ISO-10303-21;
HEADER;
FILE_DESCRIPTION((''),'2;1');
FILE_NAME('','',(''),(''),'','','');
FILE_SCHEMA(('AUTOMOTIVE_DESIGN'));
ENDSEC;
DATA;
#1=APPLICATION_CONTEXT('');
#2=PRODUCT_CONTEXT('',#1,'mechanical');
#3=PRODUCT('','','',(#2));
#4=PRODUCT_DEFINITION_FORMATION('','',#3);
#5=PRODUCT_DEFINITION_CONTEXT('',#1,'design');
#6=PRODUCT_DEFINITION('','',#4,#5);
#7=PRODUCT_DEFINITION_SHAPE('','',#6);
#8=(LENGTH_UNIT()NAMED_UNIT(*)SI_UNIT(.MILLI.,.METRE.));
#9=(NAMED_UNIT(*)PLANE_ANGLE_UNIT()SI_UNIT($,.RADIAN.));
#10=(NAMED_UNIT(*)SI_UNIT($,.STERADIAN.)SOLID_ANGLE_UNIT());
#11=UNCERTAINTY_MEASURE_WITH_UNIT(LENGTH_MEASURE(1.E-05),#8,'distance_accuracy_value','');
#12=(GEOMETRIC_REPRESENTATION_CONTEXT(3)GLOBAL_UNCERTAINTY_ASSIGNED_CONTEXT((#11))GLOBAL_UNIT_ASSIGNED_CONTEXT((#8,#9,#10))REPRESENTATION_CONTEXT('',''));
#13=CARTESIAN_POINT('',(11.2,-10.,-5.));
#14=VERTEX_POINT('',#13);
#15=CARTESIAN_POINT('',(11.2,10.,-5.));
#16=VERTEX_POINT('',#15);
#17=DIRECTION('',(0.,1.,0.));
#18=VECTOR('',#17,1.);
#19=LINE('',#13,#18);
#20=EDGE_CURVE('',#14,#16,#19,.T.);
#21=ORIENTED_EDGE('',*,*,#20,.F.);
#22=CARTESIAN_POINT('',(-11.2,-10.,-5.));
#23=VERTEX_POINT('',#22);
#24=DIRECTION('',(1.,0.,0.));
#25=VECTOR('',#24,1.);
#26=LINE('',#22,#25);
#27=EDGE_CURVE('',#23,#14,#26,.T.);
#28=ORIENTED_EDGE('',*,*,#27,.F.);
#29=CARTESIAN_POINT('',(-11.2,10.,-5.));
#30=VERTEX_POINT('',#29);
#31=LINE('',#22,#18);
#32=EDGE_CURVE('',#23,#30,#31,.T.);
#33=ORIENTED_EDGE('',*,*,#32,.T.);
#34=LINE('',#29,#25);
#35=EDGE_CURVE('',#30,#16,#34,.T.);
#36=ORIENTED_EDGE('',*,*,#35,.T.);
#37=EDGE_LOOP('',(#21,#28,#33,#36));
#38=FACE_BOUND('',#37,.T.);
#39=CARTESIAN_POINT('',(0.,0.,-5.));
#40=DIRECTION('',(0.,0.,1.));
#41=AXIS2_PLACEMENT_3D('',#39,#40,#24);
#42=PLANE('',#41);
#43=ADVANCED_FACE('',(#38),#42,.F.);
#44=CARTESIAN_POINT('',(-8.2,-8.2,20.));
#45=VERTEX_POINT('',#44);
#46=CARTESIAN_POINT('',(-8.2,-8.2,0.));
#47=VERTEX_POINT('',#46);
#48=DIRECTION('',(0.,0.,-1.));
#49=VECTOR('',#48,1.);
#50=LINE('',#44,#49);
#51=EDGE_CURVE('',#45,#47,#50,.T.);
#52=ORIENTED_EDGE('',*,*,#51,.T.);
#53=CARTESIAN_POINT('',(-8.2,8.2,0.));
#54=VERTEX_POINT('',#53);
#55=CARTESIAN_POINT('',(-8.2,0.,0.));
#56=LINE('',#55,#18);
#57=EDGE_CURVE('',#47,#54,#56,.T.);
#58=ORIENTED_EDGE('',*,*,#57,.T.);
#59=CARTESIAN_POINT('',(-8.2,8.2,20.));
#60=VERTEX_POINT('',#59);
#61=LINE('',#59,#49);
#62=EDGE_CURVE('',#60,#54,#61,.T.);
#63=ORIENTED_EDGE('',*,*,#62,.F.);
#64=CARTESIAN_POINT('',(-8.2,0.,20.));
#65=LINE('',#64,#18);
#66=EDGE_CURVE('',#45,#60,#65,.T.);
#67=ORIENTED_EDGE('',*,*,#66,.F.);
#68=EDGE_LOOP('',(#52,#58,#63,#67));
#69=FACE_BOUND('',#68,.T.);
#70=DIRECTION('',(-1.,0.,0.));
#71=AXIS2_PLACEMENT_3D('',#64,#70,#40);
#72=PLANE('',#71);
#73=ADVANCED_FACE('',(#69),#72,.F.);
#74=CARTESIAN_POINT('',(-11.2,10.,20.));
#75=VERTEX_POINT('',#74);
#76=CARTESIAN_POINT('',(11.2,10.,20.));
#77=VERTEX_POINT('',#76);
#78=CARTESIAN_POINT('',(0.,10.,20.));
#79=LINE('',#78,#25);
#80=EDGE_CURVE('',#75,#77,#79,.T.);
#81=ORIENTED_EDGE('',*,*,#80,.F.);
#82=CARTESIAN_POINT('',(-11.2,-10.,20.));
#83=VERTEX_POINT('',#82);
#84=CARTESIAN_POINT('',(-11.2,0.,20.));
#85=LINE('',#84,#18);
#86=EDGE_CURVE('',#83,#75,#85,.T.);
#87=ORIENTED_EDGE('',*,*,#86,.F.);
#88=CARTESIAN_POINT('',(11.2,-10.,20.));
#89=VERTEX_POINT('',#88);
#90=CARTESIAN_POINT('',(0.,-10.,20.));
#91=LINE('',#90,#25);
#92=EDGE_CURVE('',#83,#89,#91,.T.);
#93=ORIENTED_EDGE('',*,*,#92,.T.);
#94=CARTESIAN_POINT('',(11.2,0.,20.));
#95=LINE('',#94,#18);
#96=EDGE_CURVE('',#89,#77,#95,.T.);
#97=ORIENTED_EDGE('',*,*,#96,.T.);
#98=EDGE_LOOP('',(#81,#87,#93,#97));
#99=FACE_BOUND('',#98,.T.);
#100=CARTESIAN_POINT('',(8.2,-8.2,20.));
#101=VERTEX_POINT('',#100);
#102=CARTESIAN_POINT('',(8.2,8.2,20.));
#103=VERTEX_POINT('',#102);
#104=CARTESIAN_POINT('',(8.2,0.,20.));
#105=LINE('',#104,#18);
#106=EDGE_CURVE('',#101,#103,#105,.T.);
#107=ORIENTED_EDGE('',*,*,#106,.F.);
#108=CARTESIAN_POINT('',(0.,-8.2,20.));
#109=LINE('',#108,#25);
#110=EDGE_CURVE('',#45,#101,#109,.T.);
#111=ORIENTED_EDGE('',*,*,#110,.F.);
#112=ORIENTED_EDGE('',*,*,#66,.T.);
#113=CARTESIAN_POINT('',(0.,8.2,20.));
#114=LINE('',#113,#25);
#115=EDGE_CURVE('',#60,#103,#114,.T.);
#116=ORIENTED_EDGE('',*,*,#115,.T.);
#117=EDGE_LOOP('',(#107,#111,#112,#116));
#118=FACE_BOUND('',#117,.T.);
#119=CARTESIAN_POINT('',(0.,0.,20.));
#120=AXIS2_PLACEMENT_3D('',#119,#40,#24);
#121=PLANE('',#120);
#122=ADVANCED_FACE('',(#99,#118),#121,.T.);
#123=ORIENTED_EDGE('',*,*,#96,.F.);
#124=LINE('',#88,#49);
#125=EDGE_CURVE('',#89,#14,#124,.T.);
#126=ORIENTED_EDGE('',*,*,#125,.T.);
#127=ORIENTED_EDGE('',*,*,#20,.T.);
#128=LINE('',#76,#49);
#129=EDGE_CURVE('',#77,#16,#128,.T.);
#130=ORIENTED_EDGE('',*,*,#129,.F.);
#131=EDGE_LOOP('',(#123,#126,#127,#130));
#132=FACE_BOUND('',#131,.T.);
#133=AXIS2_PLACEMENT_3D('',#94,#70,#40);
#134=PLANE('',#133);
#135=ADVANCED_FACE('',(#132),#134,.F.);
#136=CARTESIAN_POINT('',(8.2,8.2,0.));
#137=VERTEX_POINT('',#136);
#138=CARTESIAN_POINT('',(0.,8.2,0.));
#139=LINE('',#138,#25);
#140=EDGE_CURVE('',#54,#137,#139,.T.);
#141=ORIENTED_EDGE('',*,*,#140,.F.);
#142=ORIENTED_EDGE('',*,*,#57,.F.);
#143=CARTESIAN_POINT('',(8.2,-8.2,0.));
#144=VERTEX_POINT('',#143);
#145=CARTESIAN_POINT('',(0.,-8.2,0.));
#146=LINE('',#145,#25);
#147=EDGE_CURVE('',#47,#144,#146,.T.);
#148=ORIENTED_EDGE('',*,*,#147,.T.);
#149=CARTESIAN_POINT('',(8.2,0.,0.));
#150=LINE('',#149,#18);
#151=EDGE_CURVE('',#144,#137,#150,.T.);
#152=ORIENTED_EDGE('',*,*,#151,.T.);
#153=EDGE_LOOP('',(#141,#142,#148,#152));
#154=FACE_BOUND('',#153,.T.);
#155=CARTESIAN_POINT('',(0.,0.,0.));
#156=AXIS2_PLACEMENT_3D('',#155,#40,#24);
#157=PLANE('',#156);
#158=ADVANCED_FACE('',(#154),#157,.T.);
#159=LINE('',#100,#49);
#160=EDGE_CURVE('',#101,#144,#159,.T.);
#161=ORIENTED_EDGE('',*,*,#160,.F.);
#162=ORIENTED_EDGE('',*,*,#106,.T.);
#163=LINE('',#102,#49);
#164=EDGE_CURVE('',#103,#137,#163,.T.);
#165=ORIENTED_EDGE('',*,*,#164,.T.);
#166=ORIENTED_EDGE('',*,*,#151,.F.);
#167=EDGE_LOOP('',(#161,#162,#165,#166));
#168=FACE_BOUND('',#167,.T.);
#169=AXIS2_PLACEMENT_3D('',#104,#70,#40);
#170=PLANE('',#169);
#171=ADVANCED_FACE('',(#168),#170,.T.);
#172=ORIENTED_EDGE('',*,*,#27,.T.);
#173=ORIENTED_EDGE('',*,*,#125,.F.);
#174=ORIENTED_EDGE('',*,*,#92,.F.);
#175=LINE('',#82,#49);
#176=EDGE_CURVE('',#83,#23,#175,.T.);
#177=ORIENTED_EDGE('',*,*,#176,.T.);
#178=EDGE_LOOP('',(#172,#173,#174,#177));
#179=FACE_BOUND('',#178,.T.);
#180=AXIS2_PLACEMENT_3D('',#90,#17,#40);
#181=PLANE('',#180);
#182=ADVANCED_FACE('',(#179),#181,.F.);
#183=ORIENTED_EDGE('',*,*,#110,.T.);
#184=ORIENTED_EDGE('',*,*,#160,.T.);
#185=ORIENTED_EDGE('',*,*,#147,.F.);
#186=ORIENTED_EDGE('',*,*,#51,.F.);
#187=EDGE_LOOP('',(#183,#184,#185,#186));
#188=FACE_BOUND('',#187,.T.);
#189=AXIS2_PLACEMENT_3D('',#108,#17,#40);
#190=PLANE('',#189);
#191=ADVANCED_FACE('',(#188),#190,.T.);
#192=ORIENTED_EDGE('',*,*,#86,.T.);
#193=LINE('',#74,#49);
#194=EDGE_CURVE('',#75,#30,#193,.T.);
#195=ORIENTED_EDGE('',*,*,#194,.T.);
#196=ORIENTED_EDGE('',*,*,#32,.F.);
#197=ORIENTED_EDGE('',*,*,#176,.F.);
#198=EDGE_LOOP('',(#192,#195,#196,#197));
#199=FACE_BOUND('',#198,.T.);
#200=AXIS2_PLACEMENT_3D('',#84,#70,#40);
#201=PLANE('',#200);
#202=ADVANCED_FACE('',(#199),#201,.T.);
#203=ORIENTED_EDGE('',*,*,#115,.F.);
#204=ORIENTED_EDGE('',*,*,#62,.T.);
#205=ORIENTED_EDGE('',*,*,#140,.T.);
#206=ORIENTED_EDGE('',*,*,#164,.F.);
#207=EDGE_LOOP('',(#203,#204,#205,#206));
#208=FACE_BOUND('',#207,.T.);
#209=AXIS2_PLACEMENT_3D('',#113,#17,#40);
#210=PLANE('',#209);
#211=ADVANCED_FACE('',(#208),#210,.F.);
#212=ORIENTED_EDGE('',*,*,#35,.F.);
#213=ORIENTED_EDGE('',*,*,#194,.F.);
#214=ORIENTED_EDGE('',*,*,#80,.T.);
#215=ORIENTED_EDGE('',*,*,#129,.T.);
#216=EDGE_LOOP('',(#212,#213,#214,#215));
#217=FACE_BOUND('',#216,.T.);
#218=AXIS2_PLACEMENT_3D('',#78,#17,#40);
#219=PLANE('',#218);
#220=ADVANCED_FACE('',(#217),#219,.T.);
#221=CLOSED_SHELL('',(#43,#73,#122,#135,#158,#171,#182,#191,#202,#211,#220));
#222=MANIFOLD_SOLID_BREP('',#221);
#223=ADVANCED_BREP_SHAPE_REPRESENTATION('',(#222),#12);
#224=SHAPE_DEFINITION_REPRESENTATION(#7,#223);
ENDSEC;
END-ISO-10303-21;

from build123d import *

# Parameters (mm, degrees)
SKETCH_1_W      = 22.4
SKETCH_1_H      = 20
SKETCH_1_W_2    = 16.4
SKETCH_1_H_2    = 16.4
EXTRUDE_1_DEPTH = 20
SKETCH_1_8_W    = 22.4
SKETCH_1_8_H    = 20
EXTRUDE_2_DEPTH = 5


with BuildPart() as part:
    # 草图1 → 凸台-拉伸1 (new body)
    with BuildSketch(Plane.XY):
        Rectangle(SKETCH_1_W, SKETCH_1_H)
        Rectangle(SKETCH_1_W_2, SKETCH_1_H_2, mode=Mode.SUBTRACT)
    extrude(amount=EXTRUDE_1_DEPTH)

    # 草图1<8> → 凸台-拉伸2 (add)
    with BuildSketch(Plane.XY):
        Rectangle(SKETCH_1_8_W, SKETCH_1_8_H)
    extrude(amount=-EXTRUDE_2_DEPTH)


solid = part.part
